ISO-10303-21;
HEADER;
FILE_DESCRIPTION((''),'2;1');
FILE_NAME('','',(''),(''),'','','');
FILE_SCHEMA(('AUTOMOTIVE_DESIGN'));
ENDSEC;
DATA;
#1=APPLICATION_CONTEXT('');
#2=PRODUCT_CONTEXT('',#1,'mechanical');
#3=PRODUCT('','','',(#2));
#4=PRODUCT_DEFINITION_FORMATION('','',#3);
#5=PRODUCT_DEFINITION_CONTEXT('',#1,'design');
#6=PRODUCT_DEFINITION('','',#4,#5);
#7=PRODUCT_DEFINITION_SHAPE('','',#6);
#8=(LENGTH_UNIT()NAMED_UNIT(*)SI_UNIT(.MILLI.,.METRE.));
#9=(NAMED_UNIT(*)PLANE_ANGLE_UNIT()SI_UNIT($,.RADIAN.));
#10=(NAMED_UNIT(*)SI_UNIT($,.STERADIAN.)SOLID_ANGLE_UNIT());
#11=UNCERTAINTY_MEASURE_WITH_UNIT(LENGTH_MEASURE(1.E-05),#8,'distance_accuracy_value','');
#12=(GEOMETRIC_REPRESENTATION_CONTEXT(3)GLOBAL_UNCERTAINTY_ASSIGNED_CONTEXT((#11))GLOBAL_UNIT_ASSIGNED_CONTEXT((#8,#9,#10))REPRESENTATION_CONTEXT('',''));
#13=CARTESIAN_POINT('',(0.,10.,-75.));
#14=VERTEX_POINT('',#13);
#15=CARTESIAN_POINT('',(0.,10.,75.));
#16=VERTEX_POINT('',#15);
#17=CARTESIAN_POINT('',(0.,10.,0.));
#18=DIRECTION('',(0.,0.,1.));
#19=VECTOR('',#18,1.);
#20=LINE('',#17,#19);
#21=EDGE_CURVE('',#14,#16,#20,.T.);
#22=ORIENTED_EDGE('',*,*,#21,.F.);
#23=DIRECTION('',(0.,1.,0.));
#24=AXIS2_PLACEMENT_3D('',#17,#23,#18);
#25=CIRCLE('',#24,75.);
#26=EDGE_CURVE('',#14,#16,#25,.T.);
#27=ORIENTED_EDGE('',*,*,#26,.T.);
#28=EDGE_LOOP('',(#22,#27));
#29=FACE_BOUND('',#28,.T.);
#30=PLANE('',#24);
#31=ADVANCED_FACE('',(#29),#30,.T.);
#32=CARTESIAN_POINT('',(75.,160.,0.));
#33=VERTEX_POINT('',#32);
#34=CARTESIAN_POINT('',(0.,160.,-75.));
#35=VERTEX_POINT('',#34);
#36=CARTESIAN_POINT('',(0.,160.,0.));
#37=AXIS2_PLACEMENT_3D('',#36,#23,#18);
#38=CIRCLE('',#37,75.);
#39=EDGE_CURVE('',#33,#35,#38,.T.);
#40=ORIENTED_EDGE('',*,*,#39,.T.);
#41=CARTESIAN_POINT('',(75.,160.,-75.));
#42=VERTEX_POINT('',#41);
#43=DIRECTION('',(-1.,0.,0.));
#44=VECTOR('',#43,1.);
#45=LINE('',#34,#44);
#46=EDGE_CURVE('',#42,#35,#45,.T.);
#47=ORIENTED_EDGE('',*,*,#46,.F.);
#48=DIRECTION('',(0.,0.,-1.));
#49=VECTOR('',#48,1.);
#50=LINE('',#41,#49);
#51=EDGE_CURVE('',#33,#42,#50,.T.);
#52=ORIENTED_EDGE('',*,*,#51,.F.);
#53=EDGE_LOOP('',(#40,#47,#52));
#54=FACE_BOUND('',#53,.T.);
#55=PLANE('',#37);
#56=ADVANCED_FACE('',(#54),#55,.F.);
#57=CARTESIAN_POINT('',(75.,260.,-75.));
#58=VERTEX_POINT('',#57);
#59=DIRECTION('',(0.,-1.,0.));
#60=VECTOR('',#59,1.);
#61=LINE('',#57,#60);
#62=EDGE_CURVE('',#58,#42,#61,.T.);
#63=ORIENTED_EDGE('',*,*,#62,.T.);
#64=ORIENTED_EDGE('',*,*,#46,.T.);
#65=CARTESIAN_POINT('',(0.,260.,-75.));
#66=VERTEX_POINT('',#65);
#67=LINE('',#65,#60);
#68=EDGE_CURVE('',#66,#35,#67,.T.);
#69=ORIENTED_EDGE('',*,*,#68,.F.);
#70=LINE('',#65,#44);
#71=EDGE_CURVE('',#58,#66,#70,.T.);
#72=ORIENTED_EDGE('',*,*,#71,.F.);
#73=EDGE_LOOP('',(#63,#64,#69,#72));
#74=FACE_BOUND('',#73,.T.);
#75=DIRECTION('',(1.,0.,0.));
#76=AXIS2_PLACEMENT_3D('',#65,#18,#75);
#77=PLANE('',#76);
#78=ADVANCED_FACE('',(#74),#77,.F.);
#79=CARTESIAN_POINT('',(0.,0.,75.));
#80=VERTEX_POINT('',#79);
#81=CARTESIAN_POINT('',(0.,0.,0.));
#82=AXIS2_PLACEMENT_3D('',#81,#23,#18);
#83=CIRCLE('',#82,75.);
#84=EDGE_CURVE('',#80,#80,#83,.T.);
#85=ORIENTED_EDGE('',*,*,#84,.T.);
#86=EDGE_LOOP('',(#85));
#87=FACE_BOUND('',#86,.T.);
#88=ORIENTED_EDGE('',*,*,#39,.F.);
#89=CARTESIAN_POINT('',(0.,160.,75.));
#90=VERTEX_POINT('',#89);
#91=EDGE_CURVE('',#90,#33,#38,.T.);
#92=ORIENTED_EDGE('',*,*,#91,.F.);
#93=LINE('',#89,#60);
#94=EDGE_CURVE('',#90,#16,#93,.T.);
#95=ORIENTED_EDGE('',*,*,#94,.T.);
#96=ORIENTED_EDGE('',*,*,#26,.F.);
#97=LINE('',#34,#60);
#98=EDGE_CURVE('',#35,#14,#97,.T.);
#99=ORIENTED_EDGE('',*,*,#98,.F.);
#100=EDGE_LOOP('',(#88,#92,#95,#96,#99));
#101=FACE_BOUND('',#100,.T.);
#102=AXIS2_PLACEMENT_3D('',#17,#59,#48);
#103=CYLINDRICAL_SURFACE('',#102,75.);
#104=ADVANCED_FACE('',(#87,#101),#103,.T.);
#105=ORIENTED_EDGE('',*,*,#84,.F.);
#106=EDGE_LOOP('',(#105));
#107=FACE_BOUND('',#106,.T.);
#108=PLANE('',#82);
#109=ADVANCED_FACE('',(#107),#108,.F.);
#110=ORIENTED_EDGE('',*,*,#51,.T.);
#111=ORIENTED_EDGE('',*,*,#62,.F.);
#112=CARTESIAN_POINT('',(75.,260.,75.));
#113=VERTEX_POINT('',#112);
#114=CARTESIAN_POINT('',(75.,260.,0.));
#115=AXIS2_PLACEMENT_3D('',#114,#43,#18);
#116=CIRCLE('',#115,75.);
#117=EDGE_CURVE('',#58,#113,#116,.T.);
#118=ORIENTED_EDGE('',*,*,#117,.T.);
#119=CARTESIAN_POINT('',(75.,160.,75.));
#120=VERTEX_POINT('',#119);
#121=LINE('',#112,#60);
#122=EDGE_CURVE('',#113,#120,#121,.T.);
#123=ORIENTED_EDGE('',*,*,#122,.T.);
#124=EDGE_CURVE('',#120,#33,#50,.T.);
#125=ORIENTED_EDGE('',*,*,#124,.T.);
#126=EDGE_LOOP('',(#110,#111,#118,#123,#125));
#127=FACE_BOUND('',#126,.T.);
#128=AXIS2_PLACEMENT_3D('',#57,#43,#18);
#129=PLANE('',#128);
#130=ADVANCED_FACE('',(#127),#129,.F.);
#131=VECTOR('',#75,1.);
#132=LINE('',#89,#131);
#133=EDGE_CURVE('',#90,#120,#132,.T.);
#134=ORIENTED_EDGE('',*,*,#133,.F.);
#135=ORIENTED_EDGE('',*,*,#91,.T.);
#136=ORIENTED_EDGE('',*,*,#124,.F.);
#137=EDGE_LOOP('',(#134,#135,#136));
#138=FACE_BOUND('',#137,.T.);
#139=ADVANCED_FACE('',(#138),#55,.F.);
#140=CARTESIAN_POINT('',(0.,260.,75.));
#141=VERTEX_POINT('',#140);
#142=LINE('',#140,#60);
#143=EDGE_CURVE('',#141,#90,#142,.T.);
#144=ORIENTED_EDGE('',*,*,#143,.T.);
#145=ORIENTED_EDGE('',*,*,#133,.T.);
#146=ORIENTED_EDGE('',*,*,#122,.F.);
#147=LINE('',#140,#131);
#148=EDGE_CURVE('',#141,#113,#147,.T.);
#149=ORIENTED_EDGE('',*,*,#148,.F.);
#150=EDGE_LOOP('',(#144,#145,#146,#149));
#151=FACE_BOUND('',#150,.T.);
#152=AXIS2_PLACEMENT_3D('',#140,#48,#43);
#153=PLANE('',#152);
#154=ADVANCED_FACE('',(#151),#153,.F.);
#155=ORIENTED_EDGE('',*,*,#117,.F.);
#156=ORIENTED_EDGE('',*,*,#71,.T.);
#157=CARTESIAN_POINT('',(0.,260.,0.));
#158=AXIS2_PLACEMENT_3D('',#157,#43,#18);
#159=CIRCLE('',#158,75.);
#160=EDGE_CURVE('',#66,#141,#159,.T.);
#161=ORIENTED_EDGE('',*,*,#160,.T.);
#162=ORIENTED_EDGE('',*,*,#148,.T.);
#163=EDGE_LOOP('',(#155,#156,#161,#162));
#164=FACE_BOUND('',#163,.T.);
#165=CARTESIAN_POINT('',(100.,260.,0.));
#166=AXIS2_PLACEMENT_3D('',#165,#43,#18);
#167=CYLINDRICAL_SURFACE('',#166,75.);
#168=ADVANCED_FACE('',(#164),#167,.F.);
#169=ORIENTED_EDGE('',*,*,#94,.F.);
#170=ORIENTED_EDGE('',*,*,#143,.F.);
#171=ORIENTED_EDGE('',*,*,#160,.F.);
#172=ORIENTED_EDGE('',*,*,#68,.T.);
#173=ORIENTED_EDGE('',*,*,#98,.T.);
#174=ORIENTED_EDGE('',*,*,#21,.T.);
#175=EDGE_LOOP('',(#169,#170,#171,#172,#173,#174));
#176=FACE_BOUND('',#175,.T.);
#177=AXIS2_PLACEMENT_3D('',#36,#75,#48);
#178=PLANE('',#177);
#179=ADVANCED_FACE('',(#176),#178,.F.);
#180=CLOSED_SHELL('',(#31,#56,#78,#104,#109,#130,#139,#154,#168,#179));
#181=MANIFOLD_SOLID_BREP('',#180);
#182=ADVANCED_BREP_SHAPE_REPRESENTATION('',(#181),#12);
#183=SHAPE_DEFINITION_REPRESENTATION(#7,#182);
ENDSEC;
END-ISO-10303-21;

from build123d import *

# Parameters (mm, degrees)
SKETCH1_R           = 75
BOSS_EXTRUDE1_DEPTH = 10
BOSS_EXTRUDE5_DEPTH = 150
SKETCH13_W          = 75
SKETCH13_H          = 150
BOSS_EXTRUDE6_DEPTH = 100
SKETCH14_R          = 75
CUT_EXTRUDE5_DEPTH  = 100


with BuildPart() as part:
    # Sketch1 → Boss-Extrude1 (new body)
    with BuildSketch(Plane(origin=(0, 0, 0), x_dir=(1, 0, 0), z_dir=(0, 1, 0))):
        with Locations(Location((0, 0, 0), (0, 0, 270))):
            Circle(SKETCH1_R)
    extrude(amount=BOSS_EXTRUDE1_DEPTH)

    # Sketch12 → Boss-Extrude5 (add)
    with BuildSketch(Plane(origin=(0, 10, 0), x_dir=(1, 0, 0), z_dir=(0, 1, 0))):
        with BuildLine():
            Line((0, 75), (0, -75))
            ThreePointArc((0, -75), (75, 0), (0, 75))
        make_face()
    extrude(amount=BOSS_EXTRUDE5_DEPTH)

    # Sketch13 → Boss-Extrude6 (add)
    with BuildSketch(Plane(origin=(0, 160, 0), x_dir=(1, 0, 0), z_dir=(0, 1, 0))):
        with Locations((37.5, 0)):
            Rectangle(SKETCH13_W, SKETCH13_H)
    extrude(amount=BOSS_EXTRUDE6_DEPTH)

    # Sketch14 → Cut-Extrude5 (cut)
    with BuildSketch(Plane.ZY):
        with Locations((0, 260)):
            Circle(SKETCH14_R)
    extrude(amount=-CUT_EXTRUDE5_DEPTH, mode=Mode.SUBTRACT)


solid = part.part
